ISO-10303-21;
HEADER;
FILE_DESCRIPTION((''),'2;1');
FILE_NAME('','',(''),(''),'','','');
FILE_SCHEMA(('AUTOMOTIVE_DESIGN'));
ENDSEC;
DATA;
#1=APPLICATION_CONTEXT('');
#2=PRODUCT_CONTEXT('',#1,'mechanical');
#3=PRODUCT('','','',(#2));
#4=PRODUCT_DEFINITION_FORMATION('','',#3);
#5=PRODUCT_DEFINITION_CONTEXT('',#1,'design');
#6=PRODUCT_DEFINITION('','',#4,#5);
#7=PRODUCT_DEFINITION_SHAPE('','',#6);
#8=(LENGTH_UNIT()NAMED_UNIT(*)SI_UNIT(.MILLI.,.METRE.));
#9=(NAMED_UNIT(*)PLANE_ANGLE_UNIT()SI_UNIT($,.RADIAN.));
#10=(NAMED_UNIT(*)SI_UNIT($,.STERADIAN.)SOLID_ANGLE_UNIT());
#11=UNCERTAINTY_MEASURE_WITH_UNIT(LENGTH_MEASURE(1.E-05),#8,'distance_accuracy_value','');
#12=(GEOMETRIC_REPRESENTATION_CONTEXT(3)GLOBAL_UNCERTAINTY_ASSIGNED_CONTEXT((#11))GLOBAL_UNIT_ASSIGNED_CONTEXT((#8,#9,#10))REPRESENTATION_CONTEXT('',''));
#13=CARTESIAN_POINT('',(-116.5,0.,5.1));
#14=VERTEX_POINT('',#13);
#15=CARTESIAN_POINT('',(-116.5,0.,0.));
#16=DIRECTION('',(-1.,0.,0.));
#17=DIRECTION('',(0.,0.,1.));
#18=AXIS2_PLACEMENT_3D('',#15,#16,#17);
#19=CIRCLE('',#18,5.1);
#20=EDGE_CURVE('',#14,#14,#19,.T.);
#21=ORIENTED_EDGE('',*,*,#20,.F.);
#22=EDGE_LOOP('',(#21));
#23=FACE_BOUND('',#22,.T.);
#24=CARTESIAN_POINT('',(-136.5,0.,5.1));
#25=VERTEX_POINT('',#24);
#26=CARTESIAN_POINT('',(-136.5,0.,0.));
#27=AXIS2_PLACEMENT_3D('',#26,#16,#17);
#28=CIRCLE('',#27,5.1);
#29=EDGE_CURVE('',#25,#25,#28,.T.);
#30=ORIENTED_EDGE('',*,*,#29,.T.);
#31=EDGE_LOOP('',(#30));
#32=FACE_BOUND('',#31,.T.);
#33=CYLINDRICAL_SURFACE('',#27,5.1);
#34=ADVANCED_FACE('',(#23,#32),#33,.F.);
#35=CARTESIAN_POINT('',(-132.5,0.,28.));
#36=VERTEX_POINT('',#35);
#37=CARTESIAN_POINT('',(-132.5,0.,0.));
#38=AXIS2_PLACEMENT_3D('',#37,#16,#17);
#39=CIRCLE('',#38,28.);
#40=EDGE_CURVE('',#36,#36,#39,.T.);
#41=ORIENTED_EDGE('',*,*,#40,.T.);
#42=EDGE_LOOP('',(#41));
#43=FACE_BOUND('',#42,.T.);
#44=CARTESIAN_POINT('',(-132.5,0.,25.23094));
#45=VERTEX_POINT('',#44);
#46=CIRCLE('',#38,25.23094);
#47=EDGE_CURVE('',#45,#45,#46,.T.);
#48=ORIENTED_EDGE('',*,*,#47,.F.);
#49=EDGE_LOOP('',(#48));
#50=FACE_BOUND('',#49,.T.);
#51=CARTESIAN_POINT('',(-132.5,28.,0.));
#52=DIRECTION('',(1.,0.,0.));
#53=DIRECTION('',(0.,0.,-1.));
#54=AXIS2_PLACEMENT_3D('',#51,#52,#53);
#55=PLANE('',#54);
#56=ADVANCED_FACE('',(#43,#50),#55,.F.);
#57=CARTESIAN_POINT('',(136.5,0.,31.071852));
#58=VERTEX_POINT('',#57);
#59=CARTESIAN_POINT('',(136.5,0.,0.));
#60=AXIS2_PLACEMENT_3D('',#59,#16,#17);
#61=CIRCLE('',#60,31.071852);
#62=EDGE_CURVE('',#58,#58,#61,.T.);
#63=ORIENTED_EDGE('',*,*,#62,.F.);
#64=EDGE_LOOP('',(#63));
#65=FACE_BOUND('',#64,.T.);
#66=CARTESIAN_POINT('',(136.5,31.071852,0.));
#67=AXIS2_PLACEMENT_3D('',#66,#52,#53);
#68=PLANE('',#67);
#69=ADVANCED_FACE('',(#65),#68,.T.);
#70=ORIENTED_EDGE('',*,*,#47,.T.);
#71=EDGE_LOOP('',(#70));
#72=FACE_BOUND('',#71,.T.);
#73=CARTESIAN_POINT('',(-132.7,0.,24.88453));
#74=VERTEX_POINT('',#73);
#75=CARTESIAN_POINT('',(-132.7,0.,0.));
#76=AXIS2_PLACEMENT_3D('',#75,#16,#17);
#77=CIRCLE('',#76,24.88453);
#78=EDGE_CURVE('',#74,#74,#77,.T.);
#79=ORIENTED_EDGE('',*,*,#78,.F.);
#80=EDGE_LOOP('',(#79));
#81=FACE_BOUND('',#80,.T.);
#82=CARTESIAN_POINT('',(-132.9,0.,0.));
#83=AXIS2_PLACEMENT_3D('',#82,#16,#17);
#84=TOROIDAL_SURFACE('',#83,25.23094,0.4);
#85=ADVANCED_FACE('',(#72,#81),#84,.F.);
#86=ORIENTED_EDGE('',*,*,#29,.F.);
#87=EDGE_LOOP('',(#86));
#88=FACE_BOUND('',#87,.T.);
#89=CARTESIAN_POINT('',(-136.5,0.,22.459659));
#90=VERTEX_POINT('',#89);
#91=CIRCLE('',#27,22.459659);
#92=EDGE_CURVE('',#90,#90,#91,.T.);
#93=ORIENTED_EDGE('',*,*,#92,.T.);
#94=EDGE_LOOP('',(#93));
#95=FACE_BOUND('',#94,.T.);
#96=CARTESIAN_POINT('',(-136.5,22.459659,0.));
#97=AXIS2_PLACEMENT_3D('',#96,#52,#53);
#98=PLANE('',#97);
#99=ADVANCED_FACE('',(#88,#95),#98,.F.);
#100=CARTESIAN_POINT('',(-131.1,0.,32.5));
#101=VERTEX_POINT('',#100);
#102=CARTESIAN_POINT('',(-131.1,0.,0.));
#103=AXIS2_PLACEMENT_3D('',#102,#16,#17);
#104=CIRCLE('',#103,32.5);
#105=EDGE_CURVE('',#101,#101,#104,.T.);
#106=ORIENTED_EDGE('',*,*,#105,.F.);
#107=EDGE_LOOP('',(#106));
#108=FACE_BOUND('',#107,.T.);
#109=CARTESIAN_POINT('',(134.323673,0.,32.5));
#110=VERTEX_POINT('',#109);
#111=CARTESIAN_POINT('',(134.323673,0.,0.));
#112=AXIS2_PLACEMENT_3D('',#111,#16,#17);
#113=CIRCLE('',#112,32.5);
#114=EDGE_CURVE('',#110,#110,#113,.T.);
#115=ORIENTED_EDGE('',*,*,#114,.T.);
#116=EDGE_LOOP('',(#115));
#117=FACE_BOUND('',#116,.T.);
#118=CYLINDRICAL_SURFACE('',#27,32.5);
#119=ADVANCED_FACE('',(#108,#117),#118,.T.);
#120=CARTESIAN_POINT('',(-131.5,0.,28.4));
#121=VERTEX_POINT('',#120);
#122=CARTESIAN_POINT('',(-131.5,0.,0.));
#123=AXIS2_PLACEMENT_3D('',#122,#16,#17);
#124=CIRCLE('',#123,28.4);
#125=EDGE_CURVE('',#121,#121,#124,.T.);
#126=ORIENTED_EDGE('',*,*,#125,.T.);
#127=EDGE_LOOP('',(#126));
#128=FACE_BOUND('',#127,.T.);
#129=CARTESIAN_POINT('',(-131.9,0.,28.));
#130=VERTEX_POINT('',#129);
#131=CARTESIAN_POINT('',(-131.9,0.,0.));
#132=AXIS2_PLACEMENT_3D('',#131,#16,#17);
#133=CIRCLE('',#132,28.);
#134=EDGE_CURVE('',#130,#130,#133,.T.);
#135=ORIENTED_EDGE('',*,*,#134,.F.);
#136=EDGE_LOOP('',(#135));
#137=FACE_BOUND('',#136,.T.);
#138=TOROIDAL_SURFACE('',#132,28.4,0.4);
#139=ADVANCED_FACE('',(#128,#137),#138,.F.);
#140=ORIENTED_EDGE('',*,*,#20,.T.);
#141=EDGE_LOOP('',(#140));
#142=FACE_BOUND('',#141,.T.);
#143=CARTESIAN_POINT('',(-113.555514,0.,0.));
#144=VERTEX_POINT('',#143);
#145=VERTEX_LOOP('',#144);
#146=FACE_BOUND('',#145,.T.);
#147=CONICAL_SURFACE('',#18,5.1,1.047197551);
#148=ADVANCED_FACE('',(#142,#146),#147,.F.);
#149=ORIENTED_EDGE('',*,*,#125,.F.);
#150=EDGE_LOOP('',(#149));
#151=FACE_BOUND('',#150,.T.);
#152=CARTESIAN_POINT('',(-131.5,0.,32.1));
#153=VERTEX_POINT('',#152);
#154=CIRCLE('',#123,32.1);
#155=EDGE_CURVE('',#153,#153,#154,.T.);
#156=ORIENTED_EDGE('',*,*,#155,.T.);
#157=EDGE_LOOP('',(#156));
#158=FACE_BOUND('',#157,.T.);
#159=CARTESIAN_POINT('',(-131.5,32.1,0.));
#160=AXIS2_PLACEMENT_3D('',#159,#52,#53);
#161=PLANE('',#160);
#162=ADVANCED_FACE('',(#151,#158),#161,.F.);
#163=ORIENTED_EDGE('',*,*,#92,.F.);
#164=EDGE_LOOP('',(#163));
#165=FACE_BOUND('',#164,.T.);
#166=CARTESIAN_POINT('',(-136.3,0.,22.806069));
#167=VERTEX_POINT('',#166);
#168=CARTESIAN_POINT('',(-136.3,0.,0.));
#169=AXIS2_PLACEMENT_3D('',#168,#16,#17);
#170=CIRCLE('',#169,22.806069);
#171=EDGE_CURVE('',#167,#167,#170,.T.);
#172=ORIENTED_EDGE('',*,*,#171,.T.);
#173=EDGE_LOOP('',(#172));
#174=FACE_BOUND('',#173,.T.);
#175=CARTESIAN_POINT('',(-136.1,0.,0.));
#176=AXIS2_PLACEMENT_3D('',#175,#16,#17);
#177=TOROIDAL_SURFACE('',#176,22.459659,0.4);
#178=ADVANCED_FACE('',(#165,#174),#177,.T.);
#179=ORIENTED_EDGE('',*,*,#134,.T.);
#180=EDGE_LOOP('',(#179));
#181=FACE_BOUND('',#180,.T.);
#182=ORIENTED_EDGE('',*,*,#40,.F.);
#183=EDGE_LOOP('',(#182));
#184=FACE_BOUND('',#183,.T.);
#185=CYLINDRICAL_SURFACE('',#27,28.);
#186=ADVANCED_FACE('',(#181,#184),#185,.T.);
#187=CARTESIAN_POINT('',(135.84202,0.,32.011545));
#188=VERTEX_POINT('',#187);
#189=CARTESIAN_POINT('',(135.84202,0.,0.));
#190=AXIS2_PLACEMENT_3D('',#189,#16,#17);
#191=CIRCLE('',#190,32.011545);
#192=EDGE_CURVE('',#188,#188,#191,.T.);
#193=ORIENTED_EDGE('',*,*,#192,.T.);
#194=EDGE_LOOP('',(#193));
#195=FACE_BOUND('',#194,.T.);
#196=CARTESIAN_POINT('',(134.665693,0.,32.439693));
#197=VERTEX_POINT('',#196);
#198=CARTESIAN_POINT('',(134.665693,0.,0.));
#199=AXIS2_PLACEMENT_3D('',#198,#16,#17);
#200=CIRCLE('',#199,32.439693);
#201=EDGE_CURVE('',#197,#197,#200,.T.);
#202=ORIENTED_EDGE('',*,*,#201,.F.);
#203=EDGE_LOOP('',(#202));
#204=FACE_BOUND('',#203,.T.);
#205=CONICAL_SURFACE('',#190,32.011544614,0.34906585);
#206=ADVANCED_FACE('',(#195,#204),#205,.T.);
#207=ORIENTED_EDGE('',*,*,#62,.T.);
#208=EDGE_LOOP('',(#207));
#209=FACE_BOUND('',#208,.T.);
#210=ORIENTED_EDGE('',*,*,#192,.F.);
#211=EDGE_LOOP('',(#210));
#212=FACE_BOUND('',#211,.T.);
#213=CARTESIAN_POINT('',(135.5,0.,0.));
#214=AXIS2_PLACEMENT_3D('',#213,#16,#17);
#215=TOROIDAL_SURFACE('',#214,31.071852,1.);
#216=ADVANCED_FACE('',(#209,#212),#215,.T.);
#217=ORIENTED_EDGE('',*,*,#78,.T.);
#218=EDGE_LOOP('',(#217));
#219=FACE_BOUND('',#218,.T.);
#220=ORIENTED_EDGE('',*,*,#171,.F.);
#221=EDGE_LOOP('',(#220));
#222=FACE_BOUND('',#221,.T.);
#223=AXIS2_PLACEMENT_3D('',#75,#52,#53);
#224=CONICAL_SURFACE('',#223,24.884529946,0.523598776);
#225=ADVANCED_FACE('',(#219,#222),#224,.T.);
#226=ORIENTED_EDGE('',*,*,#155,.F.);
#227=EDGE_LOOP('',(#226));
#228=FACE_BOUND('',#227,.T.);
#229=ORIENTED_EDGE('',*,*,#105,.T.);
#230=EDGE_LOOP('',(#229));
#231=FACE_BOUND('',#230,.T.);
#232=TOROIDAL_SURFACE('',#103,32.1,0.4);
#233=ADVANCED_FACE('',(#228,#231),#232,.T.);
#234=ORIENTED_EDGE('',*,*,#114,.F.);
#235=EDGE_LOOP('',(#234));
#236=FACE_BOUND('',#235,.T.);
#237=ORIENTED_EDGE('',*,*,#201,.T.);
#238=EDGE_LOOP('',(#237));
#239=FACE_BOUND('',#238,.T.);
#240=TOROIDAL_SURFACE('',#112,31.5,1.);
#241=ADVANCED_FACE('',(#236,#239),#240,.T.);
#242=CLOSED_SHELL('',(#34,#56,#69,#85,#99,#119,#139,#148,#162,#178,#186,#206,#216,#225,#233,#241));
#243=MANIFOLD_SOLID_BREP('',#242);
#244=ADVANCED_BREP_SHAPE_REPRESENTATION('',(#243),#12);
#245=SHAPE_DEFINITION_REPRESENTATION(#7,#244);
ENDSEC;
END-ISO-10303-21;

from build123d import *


with BuildPart() as part:
    # Sketch1 → Base-Revolve (revolve)
    with BuildSketch(Plane.XY):
        with BuildLine():
            Line((134.323673019, 32.5), (-9.4019e-05, 32.5))
            Line((-9.4019e-05, 32.5), (-131.1, 32.5))
            ThreePointArc((-131.1, 32.5), (-131.382842712, 32.382842712), (-131.5, 32.1))
            Line((-131.5, 32.1), (-131.5, 28.4))
            ThreePointArc((-131.5, 28.4), (-131.617157288, 28.117157288), (-131.9, 28))
            Line((-131.9, 28), (-132.5, 28))
            Line((-132.5, 28), (-132.5, 25.230940108))
            ThreePointArc((-132.5, 25.230940108), (-132.553589838, 25.030940108), (-132.7, 24.884529946))
            Line((-132.7, 24.884529946), (-136.3, 22.806068977))
            ThreePointArc((-136.3, 22.806068977), (-136.446410162, 22.659658816), (-136.5, 22.459658816))
            Line((-136.5, 22.459658816), (-136.5, 5.1))
            Line((-136.5, 5.1), (-116.5, 5.1))
            Line((-116.5, 5.1), (-113.555513627, 0))
            Line((-113.555513627, 0), (136.5, 0))
            Line((136.5, 0), (136.5, 31.071851993))
            ThreePointArc((136.5, 31.071851993), (136.319152044, 31.64542843), (135.842020143, 32.011544614))
            Line((135.842020143, 32.011544614), (134.665693163, 32.439692621))
            ThreePointArc((134.665693163, 32.439692621), (134.497321197, 32.484807753), (134.323673019, 32.5))
        make_face()
    revolve(axis=Axis((-136.5, 0, 0), (1, 0, 0)))


solid = part.part
